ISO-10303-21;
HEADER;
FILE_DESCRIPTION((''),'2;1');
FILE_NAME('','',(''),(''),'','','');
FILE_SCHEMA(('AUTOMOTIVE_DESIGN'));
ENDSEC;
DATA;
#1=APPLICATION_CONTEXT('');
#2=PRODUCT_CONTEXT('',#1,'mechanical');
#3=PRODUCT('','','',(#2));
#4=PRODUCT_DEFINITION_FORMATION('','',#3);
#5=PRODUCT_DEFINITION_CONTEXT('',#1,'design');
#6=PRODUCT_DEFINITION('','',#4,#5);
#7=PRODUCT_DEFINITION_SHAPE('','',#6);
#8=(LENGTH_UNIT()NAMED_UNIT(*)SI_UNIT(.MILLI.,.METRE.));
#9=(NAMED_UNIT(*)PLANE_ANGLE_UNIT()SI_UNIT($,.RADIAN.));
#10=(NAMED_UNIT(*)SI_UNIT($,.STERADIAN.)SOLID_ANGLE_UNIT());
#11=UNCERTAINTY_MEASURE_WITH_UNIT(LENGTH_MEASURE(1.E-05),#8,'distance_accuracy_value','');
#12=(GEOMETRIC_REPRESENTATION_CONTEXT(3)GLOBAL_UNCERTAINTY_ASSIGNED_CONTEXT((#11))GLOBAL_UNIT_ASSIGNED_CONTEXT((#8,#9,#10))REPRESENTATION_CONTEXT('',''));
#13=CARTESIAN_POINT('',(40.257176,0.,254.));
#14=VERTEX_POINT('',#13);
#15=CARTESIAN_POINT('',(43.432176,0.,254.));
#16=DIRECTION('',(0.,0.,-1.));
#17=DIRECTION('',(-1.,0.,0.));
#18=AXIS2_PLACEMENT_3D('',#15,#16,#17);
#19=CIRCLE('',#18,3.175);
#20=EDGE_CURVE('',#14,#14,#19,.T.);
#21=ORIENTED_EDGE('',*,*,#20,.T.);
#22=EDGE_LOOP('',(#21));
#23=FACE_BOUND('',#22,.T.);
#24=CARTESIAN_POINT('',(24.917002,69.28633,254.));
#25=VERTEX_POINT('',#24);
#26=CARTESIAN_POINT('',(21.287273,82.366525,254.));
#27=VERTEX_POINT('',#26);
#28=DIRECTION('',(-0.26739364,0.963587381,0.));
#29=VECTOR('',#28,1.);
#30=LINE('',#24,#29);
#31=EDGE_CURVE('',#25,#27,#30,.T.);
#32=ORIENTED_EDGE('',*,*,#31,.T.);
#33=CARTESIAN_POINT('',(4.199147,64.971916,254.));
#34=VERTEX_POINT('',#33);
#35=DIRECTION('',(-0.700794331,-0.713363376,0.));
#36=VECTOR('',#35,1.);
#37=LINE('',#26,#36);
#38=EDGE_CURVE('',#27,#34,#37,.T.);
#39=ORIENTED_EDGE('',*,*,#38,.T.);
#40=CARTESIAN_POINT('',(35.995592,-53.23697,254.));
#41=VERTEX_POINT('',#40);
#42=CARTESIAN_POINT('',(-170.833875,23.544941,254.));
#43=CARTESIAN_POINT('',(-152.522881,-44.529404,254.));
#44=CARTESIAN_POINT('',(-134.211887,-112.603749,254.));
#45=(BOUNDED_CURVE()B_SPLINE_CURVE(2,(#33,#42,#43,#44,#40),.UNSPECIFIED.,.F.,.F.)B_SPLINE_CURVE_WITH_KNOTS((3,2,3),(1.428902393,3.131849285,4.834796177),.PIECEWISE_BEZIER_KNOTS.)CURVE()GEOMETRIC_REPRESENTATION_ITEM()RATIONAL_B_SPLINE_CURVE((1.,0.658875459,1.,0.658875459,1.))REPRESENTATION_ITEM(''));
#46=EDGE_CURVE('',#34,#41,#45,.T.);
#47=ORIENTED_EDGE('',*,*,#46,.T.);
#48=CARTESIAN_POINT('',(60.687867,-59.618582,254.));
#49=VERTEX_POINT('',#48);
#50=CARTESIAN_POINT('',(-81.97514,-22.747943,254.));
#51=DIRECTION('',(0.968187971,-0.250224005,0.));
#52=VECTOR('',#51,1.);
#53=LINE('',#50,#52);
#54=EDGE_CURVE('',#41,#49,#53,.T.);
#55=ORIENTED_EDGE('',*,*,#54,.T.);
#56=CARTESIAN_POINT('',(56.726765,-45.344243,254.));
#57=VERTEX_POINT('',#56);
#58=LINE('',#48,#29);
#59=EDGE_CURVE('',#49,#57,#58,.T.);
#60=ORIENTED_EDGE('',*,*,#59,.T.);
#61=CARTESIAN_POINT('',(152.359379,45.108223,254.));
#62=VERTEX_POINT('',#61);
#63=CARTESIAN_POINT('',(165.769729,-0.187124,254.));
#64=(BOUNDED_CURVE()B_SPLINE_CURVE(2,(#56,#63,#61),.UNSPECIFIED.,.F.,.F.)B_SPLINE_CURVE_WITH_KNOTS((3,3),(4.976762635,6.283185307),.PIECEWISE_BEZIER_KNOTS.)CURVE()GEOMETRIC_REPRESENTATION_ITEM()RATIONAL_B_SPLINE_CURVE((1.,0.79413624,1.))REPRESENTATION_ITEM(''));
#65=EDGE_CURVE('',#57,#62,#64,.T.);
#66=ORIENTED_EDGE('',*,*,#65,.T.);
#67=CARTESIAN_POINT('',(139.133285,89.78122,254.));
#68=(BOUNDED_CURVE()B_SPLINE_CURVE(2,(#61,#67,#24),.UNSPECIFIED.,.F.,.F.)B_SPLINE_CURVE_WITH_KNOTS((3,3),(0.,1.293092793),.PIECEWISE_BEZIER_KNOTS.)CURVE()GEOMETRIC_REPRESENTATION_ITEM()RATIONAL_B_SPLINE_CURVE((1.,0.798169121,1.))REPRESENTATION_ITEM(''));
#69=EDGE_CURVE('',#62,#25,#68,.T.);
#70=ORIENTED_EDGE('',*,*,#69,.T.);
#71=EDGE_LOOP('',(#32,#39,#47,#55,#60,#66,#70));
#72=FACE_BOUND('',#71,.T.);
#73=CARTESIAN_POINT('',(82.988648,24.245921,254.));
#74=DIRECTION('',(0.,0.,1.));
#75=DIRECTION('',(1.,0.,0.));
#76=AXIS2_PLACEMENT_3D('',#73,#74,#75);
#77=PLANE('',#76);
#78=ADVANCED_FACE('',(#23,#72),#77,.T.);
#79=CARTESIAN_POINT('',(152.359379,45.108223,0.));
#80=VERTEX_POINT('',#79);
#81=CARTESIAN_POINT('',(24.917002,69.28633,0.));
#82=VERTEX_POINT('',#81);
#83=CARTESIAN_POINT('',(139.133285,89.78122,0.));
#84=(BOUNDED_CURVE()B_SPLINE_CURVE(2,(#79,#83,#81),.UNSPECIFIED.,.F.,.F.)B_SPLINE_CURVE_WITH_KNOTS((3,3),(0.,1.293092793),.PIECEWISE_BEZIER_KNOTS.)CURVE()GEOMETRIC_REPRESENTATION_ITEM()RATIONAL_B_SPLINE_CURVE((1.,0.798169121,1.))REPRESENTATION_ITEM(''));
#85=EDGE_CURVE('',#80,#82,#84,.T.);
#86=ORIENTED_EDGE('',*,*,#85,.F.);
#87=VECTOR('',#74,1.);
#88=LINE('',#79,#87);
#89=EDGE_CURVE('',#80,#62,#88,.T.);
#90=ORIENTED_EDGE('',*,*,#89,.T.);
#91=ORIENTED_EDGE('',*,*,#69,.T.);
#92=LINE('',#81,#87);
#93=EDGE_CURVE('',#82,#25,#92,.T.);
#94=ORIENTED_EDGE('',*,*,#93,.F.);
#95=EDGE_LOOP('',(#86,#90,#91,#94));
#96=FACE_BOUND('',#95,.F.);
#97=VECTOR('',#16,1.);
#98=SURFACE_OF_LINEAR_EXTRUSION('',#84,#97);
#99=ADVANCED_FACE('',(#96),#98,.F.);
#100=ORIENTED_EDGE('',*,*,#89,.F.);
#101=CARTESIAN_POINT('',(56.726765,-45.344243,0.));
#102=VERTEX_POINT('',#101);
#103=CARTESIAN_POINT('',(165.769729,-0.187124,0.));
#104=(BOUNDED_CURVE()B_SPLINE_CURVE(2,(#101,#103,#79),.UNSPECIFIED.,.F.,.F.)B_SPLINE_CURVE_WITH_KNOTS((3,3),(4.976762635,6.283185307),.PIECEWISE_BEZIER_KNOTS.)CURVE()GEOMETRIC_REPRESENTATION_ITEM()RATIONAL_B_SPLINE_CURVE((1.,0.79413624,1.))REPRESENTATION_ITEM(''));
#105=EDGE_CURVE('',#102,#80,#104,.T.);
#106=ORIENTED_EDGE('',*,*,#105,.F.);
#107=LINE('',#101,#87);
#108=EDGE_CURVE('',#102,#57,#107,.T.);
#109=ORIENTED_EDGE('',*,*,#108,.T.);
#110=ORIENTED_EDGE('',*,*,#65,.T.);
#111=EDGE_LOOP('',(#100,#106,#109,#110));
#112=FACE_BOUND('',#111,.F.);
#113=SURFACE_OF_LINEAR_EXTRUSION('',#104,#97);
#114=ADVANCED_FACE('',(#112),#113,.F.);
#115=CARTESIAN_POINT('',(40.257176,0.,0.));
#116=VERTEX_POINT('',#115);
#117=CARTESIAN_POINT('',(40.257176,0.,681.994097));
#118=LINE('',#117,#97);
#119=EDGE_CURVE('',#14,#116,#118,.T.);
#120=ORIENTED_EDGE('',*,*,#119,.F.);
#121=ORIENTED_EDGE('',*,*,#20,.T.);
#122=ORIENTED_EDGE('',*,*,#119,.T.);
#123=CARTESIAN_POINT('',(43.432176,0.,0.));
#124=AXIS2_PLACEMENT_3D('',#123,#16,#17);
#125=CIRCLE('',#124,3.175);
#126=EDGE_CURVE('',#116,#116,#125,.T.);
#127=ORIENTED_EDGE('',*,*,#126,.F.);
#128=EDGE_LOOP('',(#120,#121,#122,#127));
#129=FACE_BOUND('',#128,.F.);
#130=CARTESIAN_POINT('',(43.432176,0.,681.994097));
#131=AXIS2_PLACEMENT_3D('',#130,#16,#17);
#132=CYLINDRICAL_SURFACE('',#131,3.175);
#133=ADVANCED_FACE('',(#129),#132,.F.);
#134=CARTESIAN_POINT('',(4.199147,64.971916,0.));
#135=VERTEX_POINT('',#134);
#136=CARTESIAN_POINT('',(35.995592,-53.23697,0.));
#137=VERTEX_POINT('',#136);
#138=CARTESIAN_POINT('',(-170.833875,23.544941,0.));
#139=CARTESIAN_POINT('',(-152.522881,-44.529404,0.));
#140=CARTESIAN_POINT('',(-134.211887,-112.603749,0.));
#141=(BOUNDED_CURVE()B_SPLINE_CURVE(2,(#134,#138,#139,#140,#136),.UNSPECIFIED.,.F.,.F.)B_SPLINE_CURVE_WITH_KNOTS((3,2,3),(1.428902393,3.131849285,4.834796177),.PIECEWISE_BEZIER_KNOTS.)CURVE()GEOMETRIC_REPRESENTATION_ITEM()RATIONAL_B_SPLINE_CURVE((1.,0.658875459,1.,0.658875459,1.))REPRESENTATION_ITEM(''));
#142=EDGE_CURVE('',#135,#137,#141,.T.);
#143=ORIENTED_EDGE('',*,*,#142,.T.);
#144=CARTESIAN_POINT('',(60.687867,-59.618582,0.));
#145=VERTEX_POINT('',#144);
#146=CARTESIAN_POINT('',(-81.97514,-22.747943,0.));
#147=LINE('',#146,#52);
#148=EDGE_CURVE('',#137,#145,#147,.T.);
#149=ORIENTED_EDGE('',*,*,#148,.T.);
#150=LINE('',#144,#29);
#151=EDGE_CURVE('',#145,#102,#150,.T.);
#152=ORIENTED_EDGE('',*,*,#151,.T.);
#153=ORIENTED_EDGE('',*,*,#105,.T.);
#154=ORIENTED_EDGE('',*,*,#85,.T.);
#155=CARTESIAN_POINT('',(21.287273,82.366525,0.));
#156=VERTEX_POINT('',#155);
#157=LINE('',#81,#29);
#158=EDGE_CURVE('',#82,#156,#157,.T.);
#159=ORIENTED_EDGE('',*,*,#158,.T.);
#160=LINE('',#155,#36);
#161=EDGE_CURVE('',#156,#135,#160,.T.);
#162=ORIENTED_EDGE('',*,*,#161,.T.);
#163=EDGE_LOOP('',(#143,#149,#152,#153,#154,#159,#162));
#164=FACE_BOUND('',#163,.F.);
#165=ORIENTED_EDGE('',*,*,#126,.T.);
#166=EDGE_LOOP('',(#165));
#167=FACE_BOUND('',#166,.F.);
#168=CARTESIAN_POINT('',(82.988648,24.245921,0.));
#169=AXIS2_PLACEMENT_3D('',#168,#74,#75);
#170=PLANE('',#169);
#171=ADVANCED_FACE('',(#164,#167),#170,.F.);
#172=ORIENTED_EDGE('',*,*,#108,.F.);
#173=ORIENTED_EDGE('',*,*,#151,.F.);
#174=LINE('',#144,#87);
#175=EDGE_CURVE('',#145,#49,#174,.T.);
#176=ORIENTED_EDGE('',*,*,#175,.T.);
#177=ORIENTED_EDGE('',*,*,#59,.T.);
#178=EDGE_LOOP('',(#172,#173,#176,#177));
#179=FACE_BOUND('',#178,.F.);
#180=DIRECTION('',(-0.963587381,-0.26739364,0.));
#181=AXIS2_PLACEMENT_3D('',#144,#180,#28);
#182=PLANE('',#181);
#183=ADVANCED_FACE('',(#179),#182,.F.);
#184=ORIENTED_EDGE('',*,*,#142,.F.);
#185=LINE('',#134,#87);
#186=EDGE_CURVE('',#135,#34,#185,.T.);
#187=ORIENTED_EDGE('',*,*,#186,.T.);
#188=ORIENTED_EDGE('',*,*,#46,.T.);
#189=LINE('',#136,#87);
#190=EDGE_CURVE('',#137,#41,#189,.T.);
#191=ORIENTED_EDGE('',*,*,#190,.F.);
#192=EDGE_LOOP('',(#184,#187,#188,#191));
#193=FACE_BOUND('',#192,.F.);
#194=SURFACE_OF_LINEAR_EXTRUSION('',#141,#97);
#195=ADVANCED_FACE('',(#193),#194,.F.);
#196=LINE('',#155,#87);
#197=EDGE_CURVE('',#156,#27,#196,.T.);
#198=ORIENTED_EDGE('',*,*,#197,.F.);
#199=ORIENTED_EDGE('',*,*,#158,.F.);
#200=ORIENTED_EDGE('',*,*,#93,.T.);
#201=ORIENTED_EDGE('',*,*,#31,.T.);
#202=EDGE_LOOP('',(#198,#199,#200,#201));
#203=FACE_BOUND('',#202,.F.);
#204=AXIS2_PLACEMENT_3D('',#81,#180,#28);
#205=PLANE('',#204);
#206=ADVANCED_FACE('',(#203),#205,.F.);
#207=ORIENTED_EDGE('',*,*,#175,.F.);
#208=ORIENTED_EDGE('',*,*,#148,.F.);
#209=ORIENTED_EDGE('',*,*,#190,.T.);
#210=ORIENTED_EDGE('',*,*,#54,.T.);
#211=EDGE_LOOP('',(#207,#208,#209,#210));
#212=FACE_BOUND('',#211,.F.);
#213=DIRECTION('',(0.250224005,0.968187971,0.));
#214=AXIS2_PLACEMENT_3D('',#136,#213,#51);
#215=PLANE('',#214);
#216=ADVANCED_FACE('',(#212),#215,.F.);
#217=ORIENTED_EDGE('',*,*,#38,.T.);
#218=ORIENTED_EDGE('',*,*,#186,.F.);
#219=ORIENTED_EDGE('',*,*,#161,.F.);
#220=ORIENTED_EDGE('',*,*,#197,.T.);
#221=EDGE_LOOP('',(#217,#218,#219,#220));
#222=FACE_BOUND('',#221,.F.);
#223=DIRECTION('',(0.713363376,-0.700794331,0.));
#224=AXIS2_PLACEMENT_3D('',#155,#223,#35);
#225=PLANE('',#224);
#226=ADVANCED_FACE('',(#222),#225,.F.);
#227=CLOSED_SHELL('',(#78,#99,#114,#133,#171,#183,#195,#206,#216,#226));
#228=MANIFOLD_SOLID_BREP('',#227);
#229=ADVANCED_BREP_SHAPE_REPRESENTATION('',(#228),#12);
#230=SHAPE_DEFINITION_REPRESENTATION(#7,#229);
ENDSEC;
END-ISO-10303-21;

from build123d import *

# Parameters (mm, degrees)
F1_DEPTH = 254
F8_D     = 6.35


with BuildPart() as f1:
    # F0 (on Top) → F1 (new body)
    with BuildSketch(Plane.XY):
        with BuildLine():
            add(Edge.make_bspline(
                [(56.7267649586, -45.3442428128), (165.7697287487, -0.1871238141), (152.3593788969, 45.10822266)],
                knots=[4.9767626348, 4.9767626348, 4.9767626348, 6.2831853072, 6.2831853072, 6.2831853072], degree=2, weights=[1, 0.79413624, 1]))
            add(Edge.make_bspline(
                [(152.3593788969, 45.10822266), (139.1332845807, 89.7812200962), (24.9170021831, 69.2863295536)],
                knots=[0, 0, 0, 1.2930927927, 1.2930927927, 1.2930927927], degree=2, weights=[1, 0.7981691208, 1]))
            Line((24.9170021831, 69.2863295535), (56.7267649586, -45.3442428128))
        make_face()
        with BuildLine():
            Line((56.7267649586, -45.3442428128), (24.9170021831, 69.2863295535))
            add(Edge.make_bspline(
                [(24.9170021831, 69.2863295536), (14.6254096305, 67.4396133197), (4.1991469211, 64.9719159626)],
                knots=[1.2930927927, 1.2930927927, 1.2930927927, 1.4289023934, 1.4289023934, 1.4289023934], degree=2, weights=[1, 0.9976953548, 1]))
            Line((4.1991469211, 64.9719159626), (-81.9751396775, -22.7479431778))
            Line((-81.9751396775, -22.7479431778), (35.995592068, -53.2369700128))
            add(Edge.make_bspline(
                [(35.995592068, -53.2369700128), (46.5955617331, -49.5397996259), (56.7267649586, -45.3442428128)],
                knots=[4.834796177, 4.834796177, 4.834796177, 4.9767626348, 4.9767626348, 4.9767626348], degree=2, weights=[1, 0.9974817482, 1]))
        make_face()
        with BuildLine():
            add(Edge.make_bspline(
                [(24.9170021831, 69.2863295536), (14.6254096305, 67.4396133197), (4.1991469211, 64.9719159626)],
                knots=[1.2930927927, 1.2930927927, 1.2930927927, 1.4289023934, 1.4289023934, 1.4289023934], degree=2, weights=[1, 0.9976953548, 1]))
            Line((24.9170021831, 69.2863295535), (21.2872731629, 82.3665250284))
            Line((21.2872731629, 82.3665250284), (4.1991469211, 64.9719159626))
        make_face()
        with BuildLine():
            Line((60.6878665146, -59.6185818506), (56.7267649586, -45.3442428128))
            add(Edge.make_bspline(
                [(35.995592068, -53.2369700128), (46.5955617331, -49.5397996259), (56.7267649586, -45.3442428128)],
                knots=[4.834796177, 4.834796177, 4.834796177, 4.9767626348, 4.9767626348, 4.9767626348], degree=2, weights=[1, 0.9974817482, 1]))
            Line((35.995592068, -53.2369700128), (60.6878665146, -59.6185818506))
        make_face()
        with BuildLine():
            Line((-81.9751396775, -22.7479431778), (4.1991469211, 64.9719159626))
            add(Edge.make_bspline(
                [(4.1991469211, 64.9719159626), (-170.8338745759, 23.5449409679), (-152.5228808522, -44.5294037957), (-134.2118871284, -112.6037485592), (35.995592068, -53.2369700128)],
                knots=[1.4289023934, 1.4289023934, 1.4289023934, 3.1318492852, 3.1318492852, 4.834796177, 4.834796177, 4.834796177], degree=2, weights=[1, 0.6588754588, 1, 0.6588754588, 1]))
            Line((35.995592068, -53.2369700128), (-81.9751396775, -22.7479431778))
        make_face()
    extrude(amount=F1_DEPTH)

    # F8 (through all)
    with Locations(Plane.XY.offset(254)):
        with Locations((43.4321761131, 0)):
            Hole(F8_D / 2)


solid = f1.part
